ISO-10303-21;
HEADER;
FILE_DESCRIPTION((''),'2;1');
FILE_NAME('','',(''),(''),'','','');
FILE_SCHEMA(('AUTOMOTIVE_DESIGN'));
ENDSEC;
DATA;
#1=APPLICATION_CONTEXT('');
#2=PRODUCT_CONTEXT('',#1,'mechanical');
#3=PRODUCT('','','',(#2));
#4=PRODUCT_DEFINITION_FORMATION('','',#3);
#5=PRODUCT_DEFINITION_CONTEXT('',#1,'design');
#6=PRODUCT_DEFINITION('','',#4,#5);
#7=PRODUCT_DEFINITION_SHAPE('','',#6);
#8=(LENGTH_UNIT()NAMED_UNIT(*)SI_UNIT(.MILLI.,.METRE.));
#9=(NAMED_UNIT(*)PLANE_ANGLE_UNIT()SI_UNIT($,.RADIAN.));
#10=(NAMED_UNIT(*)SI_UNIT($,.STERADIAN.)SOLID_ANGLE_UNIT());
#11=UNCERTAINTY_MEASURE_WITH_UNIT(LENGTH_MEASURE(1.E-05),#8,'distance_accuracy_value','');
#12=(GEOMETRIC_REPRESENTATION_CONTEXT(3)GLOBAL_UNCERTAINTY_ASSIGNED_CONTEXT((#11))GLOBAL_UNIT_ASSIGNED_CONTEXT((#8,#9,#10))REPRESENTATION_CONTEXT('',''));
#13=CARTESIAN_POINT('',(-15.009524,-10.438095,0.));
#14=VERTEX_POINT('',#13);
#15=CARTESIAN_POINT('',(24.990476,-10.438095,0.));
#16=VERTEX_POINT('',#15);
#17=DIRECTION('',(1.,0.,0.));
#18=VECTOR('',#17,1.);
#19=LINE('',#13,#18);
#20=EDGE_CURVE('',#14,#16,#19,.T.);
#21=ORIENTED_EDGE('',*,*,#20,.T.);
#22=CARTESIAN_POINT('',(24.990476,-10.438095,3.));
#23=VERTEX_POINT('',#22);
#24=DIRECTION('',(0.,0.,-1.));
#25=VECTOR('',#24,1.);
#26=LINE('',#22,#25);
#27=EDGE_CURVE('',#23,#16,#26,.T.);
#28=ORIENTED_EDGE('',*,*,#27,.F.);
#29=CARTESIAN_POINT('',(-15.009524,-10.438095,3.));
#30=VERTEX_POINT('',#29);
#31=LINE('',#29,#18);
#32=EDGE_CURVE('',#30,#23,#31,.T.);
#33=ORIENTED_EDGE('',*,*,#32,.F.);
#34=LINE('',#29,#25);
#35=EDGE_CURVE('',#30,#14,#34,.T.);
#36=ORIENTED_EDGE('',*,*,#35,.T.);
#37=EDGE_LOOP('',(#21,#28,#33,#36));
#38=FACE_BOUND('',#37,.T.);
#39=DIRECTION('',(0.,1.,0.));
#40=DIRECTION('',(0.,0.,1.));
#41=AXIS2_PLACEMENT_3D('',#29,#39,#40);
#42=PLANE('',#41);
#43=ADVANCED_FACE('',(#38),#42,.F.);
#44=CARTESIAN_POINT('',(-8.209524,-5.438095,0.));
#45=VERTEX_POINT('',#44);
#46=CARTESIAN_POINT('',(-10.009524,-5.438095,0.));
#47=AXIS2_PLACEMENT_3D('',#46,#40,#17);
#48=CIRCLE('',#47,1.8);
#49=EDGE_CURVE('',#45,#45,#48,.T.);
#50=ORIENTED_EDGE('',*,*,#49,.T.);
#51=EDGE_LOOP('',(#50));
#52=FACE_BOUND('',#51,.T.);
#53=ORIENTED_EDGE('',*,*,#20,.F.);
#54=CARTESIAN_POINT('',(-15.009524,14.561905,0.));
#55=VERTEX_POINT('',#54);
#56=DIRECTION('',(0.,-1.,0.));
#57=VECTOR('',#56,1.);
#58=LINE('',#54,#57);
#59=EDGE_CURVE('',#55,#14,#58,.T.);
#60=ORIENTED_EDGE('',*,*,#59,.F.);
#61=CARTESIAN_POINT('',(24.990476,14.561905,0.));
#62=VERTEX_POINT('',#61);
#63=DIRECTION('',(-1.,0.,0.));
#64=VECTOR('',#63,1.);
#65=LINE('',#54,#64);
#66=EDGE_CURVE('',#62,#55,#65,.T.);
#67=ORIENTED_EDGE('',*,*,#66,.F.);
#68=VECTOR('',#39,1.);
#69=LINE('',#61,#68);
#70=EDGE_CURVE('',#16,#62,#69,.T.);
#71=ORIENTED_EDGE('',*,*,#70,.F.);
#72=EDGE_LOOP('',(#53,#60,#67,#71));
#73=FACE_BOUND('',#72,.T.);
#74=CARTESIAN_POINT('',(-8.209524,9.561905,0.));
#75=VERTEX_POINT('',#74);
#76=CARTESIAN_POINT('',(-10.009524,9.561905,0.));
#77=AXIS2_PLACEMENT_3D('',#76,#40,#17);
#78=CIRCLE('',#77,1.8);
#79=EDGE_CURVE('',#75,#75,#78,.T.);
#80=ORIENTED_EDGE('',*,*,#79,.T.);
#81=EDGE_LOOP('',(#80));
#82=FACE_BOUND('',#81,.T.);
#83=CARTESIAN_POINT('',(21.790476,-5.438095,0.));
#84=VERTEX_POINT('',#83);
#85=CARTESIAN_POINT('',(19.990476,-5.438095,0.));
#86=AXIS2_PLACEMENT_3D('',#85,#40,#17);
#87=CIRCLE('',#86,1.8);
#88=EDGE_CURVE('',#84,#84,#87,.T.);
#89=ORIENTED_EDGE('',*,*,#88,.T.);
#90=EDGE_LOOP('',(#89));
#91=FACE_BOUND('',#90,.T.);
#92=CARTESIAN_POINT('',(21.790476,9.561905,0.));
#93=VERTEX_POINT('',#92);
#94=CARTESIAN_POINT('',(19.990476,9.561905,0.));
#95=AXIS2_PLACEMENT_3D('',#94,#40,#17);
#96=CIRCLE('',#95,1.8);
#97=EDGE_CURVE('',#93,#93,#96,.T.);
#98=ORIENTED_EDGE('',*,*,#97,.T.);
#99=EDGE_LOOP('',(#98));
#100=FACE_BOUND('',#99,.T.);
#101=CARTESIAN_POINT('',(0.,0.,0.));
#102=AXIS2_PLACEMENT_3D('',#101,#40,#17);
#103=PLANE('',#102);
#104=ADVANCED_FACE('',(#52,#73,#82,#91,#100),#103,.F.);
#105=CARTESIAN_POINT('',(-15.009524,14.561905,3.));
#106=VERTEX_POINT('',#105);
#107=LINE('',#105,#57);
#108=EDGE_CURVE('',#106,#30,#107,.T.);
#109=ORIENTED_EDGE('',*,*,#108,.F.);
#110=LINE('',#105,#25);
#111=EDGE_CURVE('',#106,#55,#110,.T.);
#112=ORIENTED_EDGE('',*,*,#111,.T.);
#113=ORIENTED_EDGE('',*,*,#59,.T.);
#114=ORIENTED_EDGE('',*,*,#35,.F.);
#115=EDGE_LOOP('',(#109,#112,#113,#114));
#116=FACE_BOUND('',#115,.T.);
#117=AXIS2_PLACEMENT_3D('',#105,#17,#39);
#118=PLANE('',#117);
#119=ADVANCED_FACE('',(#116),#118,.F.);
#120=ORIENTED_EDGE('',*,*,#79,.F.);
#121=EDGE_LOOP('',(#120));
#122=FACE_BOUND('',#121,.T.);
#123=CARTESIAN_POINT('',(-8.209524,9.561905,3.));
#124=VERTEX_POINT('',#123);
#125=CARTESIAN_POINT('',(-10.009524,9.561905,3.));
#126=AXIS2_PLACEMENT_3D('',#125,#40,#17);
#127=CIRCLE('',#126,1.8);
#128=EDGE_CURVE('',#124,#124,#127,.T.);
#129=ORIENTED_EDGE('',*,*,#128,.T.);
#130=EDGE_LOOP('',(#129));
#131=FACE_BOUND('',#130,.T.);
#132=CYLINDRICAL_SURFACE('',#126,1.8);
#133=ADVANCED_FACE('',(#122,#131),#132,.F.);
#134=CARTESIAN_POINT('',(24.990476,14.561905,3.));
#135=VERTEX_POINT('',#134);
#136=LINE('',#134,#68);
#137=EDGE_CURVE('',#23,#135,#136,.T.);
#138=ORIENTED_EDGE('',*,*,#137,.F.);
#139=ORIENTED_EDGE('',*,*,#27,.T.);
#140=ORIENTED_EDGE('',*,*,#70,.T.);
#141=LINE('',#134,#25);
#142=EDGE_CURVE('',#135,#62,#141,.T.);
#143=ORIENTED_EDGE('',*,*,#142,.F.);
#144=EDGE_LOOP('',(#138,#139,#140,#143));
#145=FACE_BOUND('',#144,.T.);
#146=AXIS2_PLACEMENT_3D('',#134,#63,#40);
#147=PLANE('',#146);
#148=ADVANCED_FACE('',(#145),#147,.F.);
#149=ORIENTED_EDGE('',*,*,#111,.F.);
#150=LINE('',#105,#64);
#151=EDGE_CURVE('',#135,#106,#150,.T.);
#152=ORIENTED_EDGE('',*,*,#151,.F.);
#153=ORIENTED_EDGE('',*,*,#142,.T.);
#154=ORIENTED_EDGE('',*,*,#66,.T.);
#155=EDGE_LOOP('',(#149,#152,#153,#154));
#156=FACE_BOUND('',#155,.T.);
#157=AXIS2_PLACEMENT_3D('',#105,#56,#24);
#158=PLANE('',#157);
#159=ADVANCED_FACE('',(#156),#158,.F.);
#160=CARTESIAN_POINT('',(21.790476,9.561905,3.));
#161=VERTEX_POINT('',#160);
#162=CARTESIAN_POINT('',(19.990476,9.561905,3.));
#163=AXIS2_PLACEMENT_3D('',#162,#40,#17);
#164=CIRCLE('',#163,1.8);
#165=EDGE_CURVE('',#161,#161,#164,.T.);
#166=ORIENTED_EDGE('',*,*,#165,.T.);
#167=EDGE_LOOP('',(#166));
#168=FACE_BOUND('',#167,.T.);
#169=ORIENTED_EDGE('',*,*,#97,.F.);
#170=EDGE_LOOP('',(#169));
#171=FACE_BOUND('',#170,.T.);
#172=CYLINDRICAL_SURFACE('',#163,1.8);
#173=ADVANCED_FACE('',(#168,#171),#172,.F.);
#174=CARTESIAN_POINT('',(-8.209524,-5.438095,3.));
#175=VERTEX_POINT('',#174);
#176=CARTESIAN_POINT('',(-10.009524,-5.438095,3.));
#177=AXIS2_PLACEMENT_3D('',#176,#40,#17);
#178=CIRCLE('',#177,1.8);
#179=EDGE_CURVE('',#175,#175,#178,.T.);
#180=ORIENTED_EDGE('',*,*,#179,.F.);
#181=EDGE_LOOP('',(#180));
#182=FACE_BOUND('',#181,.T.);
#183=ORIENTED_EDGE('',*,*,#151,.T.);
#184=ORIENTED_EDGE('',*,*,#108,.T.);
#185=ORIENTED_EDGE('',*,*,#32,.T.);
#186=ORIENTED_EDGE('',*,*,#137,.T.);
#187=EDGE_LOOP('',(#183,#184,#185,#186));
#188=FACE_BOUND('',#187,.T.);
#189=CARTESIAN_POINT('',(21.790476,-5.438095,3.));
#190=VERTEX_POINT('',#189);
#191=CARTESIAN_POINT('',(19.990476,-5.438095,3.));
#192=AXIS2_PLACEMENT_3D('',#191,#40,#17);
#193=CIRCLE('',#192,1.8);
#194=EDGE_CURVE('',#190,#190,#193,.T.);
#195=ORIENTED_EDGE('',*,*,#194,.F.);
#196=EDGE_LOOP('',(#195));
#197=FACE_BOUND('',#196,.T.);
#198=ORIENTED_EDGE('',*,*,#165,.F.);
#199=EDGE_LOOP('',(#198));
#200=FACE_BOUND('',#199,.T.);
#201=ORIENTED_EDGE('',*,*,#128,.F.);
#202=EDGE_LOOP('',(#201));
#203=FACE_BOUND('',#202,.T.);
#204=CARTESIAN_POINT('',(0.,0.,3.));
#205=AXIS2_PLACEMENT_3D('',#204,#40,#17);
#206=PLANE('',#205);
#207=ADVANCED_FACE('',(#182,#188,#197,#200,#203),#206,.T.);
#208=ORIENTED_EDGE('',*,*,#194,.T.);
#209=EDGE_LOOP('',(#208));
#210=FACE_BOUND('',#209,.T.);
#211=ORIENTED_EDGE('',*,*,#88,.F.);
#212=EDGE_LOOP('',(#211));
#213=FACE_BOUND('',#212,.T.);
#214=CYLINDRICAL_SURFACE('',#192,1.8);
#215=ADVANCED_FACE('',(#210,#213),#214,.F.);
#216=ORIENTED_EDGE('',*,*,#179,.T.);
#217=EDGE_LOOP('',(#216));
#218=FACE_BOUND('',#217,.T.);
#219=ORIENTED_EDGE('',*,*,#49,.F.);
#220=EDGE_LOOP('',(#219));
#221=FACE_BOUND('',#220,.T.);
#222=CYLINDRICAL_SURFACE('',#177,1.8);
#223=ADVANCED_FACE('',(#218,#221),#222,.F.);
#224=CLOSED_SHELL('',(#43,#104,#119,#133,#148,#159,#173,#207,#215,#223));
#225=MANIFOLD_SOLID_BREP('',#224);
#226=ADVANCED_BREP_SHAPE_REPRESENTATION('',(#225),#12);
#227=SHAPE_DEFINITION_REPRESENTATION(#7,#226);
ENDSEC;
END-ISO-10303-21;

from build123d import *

# Parameters (mm, degrees)
ESQUISSE1_W        = 40
ESQUISSE1_H        = 25
BOSS_EXTRU_1_DEPTH = 3
D_GAGEMENT_M33_D   = 3.6


with BuildPart() as part:
    # Esquisse1 → Boss.-Extru.1 (new body)
    with BuildSketch(Plane.XY):
        with Locations((4.99047619, 2.061904762)):
            Rectangle(ESQUISSE1_W, ESQUISSE1_H)
    extrude(amount=BOSS_EXTRU_1_DEPTH)

    # Dégagement M33 (through all)
    with Locations(Plane.XY.offset(3)):
        with Locations((19.99047619, 9.561904762), (-10.00952381, 9.561904762), (-10.00952381, -5.438095238), (19.99047619, -5.438095238)):
            Hole(D_GAGEMENT_M33_D / 2)


solid = part.part
